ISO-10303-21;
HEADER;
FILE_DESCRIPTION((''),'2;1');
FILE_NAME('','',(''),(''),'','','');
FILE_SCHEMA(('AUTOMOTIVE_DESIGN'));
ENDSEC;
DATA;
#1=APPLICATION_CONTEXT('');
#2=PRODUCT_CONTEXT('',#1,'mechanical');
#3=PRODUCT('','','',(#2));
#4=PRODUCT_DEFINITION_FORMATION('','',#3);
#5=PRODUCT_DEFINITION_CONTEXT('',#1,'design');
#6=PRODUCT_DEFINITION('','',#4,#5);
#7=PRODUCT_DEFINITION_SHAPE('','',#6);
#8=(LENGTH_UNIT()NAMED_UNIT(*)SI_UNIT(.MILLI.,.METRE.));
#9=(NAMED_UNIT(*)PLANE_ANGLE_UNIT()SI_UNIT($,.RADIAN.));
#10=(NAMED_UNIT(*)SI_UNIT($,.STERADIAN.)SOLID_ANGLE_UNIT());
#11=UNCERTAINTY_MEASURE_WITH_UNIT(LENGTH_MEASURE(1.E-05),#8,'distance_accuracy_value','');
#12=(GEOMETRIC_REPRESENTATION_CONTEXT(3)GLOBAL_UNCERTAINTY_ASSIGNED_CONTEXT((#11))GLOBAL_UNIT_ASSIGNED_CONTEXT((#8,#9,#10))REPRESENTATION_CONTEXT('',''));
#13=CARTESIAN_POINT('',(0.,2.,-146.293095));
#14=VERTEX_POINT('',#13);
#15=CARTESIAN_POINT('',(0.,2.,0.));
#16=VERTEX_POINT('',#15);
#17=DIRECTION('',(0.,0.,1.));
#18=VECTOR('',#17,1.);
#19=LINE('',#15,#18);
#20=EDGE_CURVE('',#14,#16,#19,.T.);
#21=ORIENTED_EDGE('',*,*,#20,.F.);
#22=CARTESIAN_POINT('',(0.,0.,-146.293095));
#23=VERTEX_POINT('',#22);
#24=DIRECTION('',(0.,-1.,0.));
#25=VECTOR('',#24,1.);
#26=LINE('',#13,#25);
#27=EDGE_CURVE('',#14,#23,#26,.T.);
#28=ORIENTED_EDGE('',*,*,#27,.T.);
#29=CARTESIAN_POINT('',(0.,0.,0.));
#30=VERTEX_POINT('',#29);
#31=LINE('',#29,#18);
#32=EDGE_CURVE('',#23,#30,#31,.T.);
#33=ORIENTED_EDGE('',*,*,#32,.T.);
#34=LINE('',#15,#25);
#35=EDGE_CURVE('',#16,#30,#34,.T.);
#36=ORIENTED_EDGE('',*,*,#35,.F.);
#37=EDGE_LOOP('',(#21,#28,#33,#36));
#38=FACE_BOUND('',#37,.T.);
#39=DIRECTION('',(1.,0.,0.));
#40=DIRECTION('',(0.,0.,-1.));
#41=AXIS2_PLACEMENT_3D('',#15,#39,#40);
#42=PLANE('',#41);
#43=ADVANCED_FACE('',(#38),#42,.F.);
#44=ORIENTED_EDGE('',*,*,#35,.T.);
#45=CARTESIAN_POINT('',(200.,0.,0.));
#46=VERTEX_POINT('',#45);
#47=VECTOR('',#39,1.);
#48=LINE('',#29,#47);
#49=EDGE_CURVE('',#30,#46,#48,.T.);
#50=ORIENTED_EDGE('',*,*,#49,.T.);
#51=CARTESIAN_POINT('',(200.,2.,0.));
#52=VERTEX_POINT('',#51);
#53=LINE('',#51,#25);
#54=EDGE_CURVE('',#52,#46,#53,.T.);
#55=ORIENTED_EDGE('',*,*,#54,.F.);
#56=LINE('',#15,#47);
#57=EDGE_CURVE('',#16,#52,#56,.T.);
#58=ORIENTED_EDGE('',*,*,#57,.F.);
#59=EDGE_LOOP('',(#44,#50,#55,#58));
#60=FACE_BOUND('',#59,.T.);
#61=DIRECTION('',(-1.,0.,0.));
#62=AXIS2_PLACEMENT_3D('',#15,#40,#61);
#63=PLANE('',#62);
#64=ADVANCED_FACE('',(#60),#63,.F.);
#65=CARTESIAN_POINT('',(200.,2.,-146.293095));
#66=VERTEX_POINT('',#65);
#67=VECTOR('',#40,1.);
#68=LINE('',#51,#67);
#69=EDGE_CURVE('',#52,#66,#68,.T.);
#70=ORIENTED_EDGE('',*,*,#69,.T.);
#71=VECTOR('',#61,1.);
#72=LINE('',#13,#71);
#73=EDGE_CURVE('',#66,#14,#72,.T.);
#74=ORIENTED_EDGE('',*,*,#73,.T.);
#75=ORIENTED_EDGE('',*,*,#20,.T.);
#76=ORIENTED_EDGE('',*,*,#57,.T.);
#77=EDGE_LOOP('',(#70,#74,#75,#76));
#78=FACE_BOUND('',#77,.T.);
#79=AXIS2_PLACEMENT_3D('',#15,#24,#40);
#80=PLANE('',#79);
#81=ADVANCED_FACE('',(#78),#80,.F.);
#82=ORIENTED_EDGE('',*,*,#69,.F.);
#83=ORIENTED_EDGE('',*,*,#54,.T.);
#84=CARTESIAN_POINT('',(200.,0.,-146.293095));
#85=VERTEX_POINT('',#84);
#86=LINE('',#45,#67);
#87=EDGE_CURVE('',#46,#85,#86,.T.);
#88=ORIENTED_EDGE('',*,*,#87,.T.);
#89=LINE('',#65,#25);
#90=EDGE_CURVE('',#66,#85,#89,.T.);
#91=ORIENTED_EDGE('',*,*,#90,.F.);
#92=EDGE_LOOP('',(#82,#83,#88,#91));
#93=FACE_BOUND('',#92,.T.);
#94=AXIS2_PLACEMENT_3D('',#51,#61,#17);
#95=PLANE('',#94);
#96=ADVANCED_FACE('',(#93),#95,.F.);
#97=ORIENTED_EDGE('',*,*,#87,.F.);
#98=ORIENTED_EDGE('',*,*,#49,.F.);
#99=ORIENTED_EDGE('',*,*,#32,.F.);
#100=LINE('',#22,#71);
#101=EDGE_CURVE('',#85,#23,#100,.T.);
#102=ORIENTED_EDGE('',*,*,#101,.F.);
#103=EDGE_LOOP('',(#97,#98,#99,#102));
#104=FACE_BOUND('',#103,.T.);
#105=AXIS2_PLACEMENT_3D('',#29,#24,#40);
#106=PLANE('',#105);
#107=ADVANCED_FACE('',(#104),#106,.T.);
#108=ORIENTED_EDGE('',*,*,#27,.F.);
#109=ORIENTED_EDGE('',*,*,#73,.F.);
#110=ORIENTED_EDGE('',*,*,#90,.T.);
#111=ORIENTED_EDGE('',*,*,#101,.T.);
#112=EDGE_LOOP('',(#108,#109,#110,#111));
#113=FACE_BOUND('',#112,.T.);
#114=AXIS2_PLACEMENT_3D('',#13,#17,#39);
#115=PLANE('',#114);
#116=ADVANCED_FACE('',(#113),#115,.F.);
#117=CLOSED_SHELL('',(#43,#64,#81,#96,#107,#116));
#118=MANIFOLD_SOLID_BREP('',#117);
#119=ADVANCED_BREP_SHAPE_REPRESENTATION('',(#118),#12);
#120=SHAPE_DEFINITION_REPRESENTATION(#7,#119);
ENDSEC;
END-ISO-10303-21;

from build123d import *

# Parameters (mm, degrees)
SKETCH1_W           = 200
SKETCH1_H           = 146.29309458
BOSS_EXTRUDE2_DEPTH = 2


with BuildPart() as part:
    # Sketch1 → Boss-Extrude2 (new body)
    with BuildSketch(Plane(origin=(0, 0, 0), x_dir=(1, 0, 0), z_dir=(0, 1, 0))):
        with Locations((100, 73.14654729)):
            Rectangle(SKETCH1_W, SKETCH1_H)
    extrude(amount=BOSS_EXTRUDE2_DEPTH)


solid = part.part
